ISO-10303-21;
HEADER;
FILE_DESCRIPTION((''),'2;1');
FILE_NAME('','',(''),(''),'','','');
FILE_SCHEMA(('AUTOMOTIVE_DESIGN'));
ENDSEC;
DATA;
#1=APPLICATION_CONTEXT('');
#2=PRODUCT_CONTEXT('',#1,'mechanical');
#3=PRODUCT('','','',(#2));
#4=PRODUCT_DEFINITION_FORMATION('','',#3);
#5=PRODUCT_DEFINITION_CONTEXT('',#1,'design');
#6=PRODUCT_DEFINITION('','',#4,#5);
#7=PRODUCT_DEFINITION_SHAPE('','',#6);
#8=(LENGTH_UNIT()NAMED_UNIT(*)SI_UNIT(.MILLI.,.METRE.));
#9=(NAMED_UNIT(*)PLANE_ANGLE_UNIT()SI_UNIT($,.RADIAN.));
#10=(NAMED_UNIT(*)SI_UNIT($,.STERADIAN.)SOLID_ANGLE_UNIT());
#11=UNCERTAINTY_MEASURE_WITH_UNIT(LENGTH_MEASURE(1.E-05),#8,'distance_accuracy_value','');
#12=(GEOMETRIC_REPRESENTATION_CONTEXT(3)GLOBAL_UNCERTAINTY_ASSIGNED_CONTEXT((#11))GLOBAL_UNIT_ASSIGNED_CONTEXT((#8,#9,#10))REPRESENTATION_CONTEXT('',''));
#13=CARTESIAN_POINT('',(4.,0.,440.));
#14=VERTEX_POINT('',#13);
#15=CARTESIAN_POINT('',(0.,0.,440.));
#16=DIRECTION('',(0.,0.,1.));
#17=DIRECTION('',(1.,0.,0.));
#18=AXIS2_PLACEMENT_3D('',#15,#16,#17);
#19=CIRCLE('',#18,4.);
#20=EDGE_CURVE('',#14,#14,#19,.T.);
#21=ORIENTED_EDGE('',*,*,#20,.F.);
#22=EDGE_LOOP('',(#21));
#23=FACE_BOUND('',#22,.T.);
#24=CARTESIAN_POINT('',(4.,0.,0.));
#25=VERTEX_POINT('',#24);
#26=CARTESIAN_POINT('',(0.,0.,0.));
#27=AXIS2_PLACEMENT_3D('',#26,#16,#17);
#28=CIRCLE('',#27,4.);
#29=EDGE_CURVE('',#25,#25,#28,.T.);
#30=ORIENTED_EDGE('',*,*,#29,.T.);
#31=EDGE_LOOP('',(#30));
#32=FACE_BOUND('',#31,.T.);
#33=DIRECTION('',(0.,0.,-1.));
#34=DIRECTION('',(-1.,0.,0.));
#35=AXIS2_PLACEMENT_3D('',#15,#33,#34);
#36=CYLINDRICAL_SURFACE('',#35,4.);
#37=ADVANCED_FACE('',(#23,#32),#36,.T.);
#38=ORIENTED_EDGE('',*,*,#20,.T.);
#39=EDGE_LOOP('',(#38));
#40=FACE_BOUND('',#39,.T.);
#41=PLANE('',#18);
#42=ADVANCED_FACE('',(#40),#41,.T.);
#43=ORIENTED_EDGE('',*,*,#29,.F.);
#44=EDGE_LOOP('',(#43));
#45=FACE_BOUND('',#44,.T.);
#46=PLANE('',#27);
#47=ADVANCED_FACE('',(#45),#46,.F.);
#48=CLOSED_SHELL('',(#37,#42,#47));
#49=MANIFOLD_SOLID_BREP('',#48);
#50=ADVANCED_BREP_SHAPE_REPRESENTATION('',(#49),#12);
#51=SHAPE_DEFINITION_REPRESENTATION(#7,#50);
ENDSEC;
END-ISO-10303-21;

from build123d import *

# Parameters (mm, degrees)
ESQUISSE1_R        = 4
BOSS_EXTRU_1_DEPTH = 440


with BuildPart() as part:
    # Esquisse1 → Boss.-Extru.1 (new body)
    with BuildSketch(Plane.XY):
        Circle(ESQUISSE1_R)
    extrude(amount=BOSS_EXTRU_1_DEPTH)


solid = part.part
